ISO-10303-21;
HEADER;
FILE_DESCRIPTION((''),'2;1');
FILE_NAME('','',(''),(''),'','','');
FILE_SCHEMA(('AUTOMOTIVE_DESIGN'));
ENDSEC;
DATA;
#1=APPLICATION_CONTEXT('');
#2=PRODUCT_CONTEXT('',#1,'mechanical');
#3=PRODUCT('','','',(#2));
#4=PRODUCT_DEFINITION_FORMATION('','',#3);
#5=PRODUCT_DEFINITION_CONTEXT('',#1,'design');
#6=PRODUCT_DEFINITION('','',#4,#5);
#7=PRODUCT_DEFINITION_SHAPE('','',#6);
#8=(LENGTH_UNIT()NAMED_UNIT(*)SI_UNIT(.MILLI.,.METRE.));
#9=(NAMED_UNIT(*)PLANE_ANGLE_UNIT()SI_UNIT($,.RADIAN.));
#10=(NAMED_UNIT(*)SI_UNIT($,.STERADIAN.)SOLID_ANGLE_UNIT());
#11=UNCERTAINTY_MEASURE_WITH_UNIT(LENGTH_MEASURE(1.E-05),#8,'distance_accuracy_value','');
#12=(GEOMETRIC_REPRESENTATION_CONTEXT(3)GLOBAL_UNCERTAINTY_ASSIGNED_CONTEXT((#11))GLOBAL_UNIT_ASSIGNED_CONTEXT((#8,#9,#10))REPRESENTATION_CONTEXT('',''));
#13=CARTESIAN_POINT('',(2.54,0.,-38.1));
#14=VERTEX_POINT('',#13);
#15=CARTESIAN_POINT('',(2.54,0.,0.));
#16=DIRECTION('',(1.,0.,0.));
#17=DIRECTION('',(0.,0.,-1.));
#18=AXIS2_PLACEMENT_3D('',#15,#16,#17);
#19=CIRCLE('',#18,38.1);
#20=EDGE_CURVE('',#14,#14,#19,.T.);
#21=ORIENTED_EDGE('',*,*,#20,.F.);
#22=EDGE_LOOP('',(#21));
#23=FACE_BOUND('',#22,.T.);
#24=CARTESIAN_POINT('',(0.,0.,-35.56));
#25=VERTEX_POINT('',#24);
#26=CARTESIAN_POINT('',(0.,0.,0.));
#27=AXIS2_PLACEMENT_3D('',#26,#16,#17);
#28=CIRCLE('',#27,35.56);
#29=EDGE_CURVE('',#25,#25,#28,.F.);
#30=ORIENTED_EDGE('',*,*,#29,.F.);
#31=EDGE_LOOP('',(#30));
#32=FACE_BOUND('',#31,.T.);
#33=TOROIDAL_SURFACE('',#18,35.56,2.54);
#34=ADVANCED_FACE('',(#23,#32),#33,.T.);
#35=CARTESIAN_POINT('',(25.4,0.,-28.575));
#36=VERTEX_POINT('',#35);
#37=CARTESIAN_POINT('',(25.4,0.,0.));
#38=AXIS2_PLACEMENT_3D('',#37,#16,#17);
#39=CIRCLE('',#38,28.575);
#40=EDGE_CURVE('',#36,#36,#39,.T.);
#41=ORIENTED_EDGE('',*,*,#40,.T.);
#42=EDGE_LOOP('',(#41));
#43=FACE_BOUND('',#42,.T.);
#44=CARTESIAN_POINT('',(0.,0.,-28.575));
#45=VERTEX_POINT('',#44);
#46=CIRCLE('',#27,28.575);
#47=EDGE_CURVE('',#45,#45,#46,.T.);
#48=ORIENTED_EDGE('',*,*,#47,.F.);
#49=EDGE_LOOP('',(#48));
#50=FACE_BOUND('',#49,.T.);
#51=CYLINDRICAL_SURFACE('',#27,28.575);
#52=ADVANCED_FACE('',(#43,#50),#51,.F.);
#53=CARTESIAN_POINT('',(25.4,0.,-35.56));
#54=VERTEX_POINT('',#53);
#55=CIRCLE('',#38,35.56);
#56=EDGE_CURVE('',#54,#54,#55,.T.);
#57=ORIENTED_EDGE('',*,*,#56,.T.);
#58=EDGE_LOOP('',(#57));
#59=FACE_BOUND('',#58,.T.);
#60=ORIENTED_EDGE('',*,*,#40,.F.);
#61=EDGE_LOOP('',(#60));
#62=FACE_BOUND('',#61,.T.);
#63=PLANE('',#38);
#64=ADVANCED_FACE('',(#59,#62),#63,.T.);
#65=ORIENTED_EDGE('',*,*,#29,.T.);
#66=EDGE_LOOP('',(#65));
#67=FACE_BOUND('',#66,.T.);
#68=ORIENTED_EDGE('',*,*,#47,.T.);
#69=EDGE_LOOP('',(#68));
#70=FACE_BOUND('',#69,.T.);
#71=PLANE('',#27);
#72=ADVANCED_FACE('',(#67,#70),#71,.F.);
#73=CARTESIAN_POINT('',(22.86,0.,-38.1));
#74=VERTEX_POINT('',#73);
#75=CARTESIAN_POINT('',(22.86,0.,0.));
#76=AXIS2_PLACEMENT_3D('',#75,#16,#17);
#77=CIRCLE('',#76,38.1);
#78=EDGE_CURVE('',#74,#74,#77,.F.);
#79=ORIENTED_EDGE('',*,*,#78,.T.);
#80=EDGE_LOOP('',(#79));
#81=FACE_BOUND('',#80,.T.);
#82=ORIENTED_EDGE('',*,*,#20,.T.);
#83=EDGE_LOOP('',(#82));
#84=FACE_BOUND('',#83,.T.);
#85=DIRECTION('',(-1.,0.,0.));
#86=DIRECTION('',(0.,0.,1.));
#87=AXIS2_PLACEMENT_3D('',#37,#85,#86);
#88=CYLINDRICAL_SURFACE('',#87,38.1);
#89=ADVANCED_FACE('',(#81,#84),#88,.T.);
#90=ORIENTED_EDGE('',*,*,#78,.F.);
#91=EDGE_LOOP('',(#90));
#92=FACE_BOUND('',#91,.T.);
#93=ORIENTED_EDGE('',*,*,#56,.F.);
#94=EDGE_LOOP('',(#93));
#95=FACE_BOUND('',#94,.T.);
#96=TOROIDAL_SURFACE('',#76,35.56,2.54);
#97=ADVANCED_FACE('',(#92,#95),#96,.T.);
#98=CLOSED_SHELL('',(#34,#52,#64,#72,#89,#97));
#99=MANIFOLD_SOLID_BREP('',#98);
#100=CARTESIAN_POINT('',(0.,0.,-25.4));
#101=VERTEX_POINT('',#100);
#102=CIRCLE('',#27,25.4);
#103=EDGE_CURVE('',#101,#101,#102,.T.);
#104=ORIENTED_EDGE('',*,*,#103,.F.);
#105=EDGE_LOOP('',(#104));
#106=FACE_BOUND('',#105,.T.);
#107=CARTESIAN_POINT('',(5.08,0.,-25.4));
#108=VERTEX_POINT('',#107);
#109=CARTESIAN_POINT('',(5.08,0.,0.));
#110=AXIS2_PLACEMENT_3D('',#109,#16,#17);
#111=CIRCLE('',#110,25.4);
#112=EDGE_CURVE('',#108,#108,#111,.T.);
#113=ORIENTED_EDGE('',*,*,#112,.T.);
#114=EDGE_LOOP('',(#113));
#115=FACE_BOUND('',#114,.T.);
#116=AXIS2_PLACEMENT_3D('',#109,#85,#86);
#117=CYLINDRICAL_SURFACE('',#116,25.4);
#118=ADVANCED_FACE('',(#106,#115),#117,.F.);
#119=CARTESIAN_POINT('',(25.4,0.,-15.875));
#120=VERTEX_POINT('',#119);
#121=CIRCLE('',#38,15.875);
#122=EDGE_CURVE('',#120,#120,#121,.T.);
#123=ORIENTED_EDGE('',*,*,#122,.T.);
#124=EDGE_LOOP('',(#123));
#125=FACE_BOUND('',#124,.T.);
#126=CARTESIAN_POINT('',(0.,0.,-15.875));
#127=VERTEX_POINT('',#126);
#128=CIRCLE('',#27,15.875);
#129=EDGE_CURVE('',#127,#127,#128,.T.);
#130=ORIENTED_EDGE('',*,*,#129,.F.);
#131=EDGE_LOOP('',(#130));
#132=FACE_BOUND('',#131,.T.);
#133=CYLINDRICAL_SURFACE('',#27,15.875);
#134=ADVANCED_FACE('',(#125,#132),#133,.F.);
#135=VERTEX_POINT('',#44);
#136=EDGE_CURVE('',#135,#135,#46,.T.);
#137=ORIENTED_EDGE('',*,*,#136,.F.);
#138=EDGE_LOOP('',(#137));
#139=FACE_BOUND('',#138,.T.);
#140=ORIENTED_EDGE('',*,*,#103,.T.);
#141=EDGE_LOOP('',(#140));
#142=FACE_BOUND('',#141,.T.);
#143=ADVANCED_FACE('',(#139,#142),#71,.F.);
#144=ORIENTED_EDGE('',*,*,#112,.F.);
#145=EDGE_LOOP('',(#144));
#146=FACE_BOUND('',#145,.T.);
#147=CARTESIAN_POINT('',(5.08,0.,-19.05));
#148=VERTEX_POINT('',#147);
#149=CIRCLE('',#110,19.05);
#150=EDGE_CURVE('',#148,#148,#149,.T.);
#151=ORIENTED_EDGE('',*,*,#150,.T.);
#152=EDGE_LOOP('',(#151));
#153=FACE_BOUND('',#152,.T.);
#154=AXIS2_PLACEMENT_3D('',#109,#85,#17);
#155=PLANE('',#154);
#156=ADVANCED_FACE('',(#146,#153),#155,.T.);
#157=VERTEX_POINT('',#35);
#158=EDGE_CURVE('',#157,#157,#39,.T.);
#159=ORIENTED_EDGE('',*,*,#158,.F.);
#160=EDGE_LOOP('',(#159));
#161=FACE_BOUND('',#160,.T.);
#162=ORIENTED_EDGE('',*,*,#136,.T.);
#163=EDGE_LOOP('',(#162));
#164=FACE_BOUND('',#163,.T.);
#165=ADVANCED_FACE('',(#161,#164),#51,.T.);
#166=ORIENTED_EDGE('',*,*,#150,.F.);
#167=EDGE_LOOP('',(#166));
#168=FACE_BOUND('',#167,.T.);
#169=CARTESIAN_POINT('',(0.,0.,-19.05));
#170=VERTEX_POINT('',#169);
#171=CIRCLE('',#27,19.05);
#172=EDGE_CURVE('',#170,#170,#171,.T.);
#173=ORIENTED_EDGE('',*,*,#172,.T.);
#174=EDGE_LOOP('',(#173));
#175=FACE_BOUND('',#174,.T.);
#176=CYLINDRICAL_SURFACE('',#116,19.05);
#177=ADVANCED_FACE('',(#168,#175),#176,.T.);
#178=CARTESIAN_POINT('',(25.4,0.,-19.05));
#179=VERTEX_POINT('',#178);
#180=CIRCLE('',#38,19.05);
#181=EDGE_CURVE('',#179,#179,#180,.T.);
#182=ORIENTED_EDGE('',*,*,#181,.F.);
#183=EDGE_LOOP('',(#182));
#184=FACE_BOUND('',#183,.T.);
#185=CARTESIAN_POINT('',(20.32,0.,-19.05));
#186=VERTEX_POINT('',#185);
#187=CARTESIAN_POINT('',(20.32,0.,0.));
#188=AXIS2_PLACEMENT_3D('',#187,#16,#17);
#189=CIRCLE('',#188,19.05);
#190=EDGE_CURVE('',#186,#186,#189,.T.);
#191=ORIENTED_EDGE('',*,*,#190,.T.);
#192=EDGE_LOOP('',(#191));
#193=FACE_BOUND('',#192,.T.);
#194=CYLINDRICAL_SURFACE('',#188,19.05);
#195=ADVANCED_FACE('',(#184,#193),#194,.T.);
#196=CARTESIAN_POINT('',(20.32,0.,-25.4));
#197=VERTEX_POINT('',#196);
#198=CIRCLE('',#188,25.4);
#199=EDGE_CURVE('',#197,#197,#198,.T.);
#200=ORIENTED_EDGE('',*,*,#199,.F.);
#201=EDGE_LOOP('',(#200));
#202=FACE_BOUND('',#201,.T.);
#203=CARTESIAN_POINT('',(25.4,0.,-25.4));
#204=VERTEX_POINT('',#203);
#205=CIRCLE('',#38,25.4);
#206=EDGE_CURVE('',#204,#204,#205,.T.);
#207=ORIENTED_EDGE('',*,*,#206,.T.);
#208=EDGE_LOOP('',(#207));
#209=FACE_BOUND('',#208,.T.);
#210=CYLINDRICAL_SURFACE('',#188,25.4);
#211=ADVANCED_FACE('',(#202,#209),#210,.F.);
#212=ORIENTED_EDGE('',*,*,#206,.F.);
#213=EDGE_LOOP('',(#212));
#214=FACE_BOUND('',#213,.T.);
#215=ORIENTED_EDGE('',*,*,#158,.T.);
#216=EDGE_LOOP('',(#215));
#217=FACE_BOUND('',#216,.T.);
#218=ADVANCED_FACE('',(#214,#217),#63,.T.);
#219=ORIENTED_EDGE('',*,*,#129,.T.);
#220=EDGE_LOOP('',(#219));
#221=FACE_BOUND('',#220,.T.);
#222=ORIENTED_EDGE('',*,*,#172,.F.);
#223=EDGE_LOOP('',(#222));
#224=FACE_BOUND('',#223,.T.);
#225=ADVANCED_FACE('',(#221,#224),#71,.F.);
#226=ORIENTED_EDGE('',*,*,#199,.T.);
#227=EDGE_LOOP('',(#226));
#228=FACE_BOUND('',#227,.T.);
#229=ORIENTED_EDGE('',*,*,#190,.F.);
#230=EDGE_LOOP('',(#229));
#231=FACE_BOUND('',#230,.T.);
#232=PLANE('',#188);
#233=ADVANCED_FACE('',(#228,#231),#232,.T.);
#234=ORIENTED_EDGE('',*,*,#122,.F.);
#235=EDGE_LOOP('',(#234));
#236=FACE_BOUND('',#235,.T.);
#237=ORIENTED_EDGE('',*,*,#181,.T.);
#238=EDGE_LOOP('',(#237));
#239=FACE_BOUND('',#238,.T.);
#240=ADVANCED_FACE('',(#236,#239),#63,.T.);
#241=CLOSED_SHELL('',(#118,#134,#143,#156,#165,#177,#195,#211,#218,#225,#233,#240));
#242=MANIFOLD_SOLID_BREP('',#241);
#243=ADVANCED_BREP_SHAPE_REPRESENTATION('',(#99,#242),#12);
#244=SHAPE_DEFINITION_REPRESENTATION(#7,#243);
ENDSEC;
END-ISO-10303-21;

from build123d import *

# Parameters (mm, degrees)
SKETCH1_R           = 38.1
BOSS_EXTRUDE1_DEPTH = 25.4
FILLET2_R           = 2.54
SKETCH2_R           = 28.575
CUT_EXTRUDE1_DEPTH  = 25.4
SKETCH3_R           = 28.575
BOSS_EXTRUDE3_DEPTH = 25.4
SKETCH7_R           = 25.4
SKETCH7_R_2         = 19.05
CUT_EXTRUDE3_DEPTH  = 5.08
SKETCH8_R           = 15.875
CUT_EXTRUDE4_DEPTH  = 25.4


with BuildPart() as part:
    # Sketch1 → Boss-Extrude1 (new body)
    with BuildSketch(Plane(origin=(0, 0, 0), x_dir=(0, 0, -1), z_dir=(1, 0, 0))):
        Circle(SKETCH1_R)
    extrude(amount=BOSS_EXTRUDE1_DEPTH)

    # Fillet2
    fillet2_edges = [part.edges().sort_by_distance(p)[0] for p in [
        (0, 0, 38.1),
        (25.4, 0, 38.1),
    ]]
    fillet(fillet2_edges, radius=FILLET2_R)

    # Sketch2 → Cut-Extrude1 (cut)
    with BuildSketch(Plane(origin=(25.4, 0, 0), x_dir=(0, 0, -1), z_dir=(1, 0, 0))):
        Circle(SKETCH2_R)
    extrude(amount=-CUT_EXTRUDE1_DEPTH, mode=Mode.SUBTRACT)


with BuildPart() as body_2:
    # Sketch3 → Boss-Extrude3 (new body)
    with BuildSketch(Plane(origin=(25.4, 0, 0), x_dir=(0, 0, -1), z_dir=(1, 0, 0))):
        Circle(SKETCH3_R)
    extrude(amount=-BOSS_EXTRUDE3_DEPTH)

    # Sketch7 → Cut-Extrude3 (cut)
    with BuildSketch(Plane(origin=(25.4, 0, 0), x_dir=(0, 0, -1), z_dir=(1, 0, 0))):
        Circle(SKETCH7_R)
        Circle(SKETCH7_R_2, mode=Mode.SUBTRACT)
    cut_extrude3 = extrude(amount=-CUT_EXTRUDE3_DEPTH, mode=Mode.SUBTRACT)

    # Sketch8 → Cut-Extrude4 (cut)
    with BuildSketch(Plane(origin=(25.4, 0, 0), x_dir=(0, 0, -1), z_dir=(1, 0, 0))):
        Circle(SKETCH8_R)
    extrude(amount=-CUT_EXTRUDE4_DEPTH, mode=Mode.SUBTRACT)

    # Mirror1: Cut-Extrude3 across plane
    add(cut_extrude3.mirror(Plane.ZY.offset(-12.7)), mode=Mode.SUBTRACT)


solid = Compound([part.part, body_2.part])
